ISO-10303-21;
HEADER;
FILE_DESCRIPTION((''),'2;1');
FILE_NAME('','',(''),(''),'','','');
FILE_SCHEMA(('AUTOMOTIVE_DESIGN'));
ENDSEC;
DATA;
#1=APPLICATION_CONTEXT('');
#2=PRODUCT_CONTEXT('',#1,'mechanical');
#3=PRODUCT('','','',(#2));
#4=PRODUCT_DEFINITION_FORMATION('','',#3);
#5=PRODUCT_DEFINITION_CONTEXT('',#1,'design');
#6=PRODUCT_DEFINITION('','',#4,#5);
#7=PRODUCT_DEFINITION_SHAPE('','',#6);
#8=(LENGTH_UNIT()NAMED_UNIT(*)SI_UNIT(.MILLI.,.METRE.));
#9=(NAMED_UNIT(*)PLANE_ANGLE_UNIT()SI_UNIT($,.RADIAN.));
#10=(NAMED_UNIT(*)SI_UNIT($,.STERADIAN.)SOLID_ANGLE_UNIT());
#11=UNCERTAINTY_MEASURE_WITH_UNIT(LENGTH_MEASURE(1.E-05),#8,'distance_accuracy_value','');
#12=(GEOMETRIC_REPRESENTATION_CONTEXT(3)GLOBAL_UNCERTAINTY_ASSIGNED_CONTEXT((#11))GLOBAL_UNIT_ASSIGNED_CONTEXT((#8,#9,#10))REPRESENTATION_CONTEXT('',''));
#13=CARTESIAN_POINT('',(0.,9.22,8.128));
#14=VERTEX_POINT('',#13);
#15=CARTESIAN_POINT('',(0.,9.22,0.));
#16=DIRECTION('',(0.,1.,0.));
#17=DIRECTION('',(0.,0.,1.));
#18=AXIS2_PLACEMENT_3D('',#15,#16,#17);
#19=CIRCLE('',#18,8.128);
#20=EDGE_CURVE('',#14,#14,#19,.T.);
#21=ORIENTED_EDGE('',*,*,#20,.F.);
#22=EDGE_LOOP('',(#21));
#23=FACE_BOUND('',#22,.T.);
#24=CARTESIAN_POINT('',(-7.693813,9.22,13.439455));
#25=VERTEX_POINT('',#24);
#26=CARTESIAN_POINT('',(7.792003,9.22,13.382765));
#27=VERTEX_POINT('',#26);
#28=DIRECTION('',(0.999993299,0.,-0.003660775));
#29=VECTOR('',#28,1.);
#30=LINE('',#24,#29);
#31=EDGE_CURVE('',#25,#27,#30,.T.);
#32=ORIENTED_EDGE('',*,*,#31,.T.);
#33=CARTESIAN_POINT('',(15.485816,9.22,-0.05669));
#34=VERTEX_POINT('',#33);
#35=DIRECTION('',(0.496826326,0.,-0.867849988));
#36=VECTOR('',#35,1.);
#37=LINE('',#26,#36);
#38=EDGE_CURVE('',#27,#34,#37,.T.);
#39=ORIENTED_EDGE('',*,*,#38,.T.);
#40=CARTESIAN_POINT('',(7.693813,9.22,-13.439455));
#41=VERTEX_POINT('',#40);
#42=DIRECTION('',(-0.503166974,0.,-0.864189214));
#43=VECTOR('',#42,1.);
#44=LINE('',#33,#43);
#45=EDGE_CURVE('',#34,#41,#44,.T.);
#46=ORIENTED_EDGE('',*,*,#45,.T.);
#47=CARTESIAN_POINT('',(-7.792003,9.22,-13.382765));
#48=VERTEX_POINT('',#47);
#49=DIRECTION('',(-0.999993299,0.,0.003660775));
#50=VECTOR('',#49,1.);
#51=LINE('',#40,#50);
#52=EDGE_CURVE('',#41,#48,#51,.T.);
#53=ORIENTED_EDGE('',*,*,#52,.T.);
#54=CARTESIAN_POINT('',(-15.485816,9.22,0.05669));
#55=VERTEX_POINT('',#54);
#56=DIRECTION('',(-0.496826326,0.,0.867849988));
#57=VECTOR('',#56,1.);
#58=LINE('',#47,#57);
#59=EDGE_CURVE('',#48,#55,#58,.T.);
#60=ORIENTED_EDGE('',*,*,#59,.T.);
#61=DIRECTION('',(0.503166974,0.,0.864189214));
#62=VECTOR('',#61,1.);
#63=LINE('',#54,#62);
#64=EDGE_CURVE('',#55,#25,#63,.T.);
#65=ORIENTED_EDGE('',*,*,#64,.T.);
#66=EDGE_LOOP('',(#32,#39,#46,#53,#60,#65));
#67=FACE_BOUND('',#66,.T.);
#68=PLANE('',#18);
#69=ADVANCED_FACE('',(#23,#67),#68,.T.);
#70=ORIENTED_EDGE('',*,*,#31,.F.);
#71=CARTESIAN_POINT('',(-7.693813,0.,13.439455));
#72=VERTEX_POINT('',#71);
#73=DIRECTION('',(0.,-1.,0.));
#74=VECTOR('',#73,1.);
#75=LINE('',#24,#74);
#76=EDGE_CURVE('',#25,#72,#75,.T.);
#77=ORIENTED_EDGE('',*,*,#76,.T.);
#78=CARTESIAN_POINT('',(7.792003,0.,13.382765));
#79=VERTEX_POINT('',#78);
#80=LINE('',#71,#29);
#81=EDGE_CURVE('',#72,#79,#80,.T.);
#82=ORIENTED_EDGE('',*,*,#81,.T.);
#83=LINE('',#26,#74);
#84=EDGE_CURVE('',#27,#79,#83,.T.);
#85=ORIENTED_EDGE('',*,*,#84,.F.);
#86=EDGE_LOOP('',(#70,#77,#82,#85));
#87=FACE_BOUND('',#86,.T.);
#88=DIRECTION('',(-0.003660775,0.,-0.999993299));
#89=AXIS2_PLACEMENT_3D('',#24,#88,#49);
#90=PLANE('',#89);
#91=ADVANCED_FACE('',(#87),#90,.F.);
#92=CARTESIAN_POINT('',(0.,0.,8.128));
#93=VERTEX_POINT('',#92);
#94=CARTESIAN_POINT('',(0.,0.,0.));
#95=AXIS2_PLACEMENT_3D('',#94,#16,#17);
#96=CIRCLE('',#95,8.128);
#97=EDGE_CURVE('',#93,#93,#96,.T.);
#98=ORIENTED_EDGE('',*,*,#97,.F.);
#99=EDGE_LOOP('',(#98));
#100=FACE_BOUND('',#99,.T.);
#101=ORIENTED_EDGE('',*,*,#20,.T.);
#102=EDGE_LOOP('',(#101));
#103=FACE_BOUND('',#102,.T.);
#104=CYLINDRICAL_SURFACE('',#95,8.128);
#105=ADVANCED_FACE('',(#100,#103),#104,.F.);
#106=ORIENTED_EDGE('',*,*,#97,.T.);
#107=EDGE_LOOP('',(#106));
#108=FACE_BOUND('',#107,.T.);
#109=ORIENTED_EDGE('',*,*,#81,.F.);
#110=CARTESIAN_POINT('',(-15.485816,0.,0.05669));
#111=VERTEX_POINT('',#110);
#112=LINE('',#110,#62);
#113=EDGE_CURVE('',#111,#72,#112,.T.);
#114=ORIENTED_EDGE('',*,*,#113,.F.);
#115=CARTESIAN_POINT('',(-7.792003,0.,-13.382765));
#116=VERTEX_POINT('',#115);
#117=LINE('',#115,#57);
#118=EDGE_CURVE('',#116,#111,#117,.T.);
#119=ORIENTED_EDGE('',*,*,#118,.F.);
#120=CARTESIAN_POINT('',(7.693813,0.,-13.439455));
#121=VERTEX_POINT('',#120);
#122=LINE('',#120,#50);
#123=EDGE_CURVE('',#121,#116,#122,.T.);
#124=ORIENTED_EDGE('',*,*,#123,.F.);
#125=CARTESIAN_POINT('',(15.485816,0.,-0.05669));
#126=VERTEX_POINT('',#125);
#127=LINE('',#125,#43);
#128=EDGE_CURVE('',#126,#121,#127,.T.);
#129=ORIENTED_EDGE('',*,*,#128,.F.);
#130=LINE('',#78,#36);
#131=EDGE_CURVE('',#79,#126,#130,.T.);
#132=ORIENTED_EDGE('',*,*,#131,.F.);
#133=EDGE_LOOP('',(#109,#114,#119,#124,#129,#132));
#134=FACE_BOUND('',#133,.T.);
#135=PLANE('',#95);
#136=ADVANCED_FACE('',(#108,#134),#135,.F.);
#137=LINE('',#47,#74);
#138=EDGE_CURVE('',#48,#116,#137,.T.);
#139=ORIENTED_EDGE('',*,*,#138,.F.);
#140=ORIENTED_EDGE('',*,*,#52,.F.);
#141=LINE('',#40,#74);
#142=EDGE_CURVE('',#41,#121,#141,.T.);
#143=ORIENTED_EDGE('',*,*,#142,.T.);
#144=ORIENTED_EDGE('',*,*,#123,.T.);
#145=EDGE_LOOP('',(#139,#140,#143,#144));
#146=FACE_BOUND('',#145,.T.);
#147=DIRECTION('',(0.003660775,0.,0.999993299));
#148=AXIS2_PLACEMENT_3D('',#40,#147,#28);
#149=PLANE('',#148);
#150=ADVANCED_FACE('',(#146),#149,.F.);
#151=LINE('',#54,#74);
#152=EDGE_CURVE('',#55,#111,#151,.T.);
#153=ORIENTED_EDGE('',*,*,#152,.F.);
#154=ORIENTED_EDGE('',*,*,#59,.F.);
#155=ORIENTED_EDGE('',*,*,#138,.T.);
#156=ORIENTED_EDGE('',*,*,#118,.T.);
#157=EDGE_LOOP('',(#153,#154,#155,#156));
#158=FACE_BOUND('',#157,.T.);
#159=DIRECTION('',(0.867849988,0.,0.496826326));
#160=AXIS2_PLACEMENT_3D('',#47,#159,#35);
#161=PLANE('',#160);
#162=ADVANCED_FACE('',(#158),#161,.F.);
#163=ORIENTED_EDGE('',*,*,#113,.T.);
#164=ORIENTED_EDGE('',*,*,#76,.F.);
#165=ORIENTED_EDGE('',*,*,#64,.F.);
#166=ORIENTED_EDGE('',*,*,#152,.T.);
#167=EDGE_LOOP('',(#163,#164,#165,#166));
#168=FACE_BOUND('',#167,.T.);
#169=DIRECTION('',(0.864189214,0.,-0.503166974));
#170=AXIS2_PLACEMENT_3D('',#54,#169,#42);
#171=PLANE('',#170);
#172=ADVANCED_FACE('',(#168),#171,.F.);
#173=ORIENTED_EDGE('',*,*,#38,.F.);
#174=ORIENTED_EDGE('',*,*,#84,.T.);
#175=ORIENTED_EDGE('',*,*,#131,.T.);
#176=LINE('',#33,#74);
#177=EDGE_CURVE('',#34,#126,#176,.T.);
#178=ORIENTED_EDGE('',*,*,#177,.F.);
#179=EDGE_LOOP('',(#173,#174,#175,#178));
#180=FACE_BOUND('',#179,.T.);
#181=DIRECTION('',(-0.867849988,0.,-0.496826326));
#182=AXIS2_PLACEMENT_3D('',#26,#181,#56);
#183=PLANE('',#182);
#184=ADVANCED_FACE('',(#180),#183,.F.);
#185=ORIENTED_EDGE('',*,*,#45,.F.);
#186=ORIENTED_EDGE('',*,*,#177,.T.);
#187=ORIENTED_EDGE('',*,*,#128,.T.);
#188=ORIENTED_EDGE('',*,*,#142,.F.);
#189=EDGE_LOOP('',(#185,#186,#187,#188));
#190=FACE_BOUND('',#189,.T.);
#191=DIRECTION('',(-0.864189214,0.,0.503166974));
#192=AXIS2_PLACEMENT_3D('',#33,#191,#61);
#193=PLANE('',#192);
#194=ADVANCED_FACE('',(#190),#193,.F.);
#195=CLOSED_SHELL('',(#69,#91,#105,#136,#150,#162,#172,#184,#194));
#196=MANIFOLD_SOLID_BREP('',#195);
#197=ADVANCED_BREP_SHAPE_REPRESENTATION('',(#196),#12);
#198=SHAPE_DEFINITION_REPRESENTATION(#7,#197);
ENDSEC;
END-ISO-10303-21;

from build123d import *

# Parameters (mm, degrees)
BOSS_EXTRUDE1_DEPTH = 9.22
SKETCH2_R           = 8.128
CUT_EXTRUDE1_DEPTH  = 10.22


with BuildPart() as part:
    # Sketch1 → Boss-Extrude1 (new body)
    with BuildSketch(Plane(origin=(0, 0, 0), x_dir=(1, 0, 0), z_dir=(0, 1, 0))):
        Polygon((7.693812666, 13.439455367), (-7.792003428, 13.382764905), (-15.485816094, -0.056690463), (-7.693812666, -13.439455367), (7.792003428, -13.382764905), (15.485816094, 0.056690463), align=None)
    extrude(amount=BOSS_EXTRUDE1_DEPTH)

    # Sketch2 → Cut-Extrude1 (cut, through all)
    with BuildSketch(Plane(origin=(0, 9.22, 0), x_dir=(1, 0, 0), z_dir=(0, 1, 0))):
        Circle(SKETCH2_R)
    extrude(amount=-CUT_EXTRUDE1_DEPTH, mode=Mode.SUBTRACT)


solid = part.part
